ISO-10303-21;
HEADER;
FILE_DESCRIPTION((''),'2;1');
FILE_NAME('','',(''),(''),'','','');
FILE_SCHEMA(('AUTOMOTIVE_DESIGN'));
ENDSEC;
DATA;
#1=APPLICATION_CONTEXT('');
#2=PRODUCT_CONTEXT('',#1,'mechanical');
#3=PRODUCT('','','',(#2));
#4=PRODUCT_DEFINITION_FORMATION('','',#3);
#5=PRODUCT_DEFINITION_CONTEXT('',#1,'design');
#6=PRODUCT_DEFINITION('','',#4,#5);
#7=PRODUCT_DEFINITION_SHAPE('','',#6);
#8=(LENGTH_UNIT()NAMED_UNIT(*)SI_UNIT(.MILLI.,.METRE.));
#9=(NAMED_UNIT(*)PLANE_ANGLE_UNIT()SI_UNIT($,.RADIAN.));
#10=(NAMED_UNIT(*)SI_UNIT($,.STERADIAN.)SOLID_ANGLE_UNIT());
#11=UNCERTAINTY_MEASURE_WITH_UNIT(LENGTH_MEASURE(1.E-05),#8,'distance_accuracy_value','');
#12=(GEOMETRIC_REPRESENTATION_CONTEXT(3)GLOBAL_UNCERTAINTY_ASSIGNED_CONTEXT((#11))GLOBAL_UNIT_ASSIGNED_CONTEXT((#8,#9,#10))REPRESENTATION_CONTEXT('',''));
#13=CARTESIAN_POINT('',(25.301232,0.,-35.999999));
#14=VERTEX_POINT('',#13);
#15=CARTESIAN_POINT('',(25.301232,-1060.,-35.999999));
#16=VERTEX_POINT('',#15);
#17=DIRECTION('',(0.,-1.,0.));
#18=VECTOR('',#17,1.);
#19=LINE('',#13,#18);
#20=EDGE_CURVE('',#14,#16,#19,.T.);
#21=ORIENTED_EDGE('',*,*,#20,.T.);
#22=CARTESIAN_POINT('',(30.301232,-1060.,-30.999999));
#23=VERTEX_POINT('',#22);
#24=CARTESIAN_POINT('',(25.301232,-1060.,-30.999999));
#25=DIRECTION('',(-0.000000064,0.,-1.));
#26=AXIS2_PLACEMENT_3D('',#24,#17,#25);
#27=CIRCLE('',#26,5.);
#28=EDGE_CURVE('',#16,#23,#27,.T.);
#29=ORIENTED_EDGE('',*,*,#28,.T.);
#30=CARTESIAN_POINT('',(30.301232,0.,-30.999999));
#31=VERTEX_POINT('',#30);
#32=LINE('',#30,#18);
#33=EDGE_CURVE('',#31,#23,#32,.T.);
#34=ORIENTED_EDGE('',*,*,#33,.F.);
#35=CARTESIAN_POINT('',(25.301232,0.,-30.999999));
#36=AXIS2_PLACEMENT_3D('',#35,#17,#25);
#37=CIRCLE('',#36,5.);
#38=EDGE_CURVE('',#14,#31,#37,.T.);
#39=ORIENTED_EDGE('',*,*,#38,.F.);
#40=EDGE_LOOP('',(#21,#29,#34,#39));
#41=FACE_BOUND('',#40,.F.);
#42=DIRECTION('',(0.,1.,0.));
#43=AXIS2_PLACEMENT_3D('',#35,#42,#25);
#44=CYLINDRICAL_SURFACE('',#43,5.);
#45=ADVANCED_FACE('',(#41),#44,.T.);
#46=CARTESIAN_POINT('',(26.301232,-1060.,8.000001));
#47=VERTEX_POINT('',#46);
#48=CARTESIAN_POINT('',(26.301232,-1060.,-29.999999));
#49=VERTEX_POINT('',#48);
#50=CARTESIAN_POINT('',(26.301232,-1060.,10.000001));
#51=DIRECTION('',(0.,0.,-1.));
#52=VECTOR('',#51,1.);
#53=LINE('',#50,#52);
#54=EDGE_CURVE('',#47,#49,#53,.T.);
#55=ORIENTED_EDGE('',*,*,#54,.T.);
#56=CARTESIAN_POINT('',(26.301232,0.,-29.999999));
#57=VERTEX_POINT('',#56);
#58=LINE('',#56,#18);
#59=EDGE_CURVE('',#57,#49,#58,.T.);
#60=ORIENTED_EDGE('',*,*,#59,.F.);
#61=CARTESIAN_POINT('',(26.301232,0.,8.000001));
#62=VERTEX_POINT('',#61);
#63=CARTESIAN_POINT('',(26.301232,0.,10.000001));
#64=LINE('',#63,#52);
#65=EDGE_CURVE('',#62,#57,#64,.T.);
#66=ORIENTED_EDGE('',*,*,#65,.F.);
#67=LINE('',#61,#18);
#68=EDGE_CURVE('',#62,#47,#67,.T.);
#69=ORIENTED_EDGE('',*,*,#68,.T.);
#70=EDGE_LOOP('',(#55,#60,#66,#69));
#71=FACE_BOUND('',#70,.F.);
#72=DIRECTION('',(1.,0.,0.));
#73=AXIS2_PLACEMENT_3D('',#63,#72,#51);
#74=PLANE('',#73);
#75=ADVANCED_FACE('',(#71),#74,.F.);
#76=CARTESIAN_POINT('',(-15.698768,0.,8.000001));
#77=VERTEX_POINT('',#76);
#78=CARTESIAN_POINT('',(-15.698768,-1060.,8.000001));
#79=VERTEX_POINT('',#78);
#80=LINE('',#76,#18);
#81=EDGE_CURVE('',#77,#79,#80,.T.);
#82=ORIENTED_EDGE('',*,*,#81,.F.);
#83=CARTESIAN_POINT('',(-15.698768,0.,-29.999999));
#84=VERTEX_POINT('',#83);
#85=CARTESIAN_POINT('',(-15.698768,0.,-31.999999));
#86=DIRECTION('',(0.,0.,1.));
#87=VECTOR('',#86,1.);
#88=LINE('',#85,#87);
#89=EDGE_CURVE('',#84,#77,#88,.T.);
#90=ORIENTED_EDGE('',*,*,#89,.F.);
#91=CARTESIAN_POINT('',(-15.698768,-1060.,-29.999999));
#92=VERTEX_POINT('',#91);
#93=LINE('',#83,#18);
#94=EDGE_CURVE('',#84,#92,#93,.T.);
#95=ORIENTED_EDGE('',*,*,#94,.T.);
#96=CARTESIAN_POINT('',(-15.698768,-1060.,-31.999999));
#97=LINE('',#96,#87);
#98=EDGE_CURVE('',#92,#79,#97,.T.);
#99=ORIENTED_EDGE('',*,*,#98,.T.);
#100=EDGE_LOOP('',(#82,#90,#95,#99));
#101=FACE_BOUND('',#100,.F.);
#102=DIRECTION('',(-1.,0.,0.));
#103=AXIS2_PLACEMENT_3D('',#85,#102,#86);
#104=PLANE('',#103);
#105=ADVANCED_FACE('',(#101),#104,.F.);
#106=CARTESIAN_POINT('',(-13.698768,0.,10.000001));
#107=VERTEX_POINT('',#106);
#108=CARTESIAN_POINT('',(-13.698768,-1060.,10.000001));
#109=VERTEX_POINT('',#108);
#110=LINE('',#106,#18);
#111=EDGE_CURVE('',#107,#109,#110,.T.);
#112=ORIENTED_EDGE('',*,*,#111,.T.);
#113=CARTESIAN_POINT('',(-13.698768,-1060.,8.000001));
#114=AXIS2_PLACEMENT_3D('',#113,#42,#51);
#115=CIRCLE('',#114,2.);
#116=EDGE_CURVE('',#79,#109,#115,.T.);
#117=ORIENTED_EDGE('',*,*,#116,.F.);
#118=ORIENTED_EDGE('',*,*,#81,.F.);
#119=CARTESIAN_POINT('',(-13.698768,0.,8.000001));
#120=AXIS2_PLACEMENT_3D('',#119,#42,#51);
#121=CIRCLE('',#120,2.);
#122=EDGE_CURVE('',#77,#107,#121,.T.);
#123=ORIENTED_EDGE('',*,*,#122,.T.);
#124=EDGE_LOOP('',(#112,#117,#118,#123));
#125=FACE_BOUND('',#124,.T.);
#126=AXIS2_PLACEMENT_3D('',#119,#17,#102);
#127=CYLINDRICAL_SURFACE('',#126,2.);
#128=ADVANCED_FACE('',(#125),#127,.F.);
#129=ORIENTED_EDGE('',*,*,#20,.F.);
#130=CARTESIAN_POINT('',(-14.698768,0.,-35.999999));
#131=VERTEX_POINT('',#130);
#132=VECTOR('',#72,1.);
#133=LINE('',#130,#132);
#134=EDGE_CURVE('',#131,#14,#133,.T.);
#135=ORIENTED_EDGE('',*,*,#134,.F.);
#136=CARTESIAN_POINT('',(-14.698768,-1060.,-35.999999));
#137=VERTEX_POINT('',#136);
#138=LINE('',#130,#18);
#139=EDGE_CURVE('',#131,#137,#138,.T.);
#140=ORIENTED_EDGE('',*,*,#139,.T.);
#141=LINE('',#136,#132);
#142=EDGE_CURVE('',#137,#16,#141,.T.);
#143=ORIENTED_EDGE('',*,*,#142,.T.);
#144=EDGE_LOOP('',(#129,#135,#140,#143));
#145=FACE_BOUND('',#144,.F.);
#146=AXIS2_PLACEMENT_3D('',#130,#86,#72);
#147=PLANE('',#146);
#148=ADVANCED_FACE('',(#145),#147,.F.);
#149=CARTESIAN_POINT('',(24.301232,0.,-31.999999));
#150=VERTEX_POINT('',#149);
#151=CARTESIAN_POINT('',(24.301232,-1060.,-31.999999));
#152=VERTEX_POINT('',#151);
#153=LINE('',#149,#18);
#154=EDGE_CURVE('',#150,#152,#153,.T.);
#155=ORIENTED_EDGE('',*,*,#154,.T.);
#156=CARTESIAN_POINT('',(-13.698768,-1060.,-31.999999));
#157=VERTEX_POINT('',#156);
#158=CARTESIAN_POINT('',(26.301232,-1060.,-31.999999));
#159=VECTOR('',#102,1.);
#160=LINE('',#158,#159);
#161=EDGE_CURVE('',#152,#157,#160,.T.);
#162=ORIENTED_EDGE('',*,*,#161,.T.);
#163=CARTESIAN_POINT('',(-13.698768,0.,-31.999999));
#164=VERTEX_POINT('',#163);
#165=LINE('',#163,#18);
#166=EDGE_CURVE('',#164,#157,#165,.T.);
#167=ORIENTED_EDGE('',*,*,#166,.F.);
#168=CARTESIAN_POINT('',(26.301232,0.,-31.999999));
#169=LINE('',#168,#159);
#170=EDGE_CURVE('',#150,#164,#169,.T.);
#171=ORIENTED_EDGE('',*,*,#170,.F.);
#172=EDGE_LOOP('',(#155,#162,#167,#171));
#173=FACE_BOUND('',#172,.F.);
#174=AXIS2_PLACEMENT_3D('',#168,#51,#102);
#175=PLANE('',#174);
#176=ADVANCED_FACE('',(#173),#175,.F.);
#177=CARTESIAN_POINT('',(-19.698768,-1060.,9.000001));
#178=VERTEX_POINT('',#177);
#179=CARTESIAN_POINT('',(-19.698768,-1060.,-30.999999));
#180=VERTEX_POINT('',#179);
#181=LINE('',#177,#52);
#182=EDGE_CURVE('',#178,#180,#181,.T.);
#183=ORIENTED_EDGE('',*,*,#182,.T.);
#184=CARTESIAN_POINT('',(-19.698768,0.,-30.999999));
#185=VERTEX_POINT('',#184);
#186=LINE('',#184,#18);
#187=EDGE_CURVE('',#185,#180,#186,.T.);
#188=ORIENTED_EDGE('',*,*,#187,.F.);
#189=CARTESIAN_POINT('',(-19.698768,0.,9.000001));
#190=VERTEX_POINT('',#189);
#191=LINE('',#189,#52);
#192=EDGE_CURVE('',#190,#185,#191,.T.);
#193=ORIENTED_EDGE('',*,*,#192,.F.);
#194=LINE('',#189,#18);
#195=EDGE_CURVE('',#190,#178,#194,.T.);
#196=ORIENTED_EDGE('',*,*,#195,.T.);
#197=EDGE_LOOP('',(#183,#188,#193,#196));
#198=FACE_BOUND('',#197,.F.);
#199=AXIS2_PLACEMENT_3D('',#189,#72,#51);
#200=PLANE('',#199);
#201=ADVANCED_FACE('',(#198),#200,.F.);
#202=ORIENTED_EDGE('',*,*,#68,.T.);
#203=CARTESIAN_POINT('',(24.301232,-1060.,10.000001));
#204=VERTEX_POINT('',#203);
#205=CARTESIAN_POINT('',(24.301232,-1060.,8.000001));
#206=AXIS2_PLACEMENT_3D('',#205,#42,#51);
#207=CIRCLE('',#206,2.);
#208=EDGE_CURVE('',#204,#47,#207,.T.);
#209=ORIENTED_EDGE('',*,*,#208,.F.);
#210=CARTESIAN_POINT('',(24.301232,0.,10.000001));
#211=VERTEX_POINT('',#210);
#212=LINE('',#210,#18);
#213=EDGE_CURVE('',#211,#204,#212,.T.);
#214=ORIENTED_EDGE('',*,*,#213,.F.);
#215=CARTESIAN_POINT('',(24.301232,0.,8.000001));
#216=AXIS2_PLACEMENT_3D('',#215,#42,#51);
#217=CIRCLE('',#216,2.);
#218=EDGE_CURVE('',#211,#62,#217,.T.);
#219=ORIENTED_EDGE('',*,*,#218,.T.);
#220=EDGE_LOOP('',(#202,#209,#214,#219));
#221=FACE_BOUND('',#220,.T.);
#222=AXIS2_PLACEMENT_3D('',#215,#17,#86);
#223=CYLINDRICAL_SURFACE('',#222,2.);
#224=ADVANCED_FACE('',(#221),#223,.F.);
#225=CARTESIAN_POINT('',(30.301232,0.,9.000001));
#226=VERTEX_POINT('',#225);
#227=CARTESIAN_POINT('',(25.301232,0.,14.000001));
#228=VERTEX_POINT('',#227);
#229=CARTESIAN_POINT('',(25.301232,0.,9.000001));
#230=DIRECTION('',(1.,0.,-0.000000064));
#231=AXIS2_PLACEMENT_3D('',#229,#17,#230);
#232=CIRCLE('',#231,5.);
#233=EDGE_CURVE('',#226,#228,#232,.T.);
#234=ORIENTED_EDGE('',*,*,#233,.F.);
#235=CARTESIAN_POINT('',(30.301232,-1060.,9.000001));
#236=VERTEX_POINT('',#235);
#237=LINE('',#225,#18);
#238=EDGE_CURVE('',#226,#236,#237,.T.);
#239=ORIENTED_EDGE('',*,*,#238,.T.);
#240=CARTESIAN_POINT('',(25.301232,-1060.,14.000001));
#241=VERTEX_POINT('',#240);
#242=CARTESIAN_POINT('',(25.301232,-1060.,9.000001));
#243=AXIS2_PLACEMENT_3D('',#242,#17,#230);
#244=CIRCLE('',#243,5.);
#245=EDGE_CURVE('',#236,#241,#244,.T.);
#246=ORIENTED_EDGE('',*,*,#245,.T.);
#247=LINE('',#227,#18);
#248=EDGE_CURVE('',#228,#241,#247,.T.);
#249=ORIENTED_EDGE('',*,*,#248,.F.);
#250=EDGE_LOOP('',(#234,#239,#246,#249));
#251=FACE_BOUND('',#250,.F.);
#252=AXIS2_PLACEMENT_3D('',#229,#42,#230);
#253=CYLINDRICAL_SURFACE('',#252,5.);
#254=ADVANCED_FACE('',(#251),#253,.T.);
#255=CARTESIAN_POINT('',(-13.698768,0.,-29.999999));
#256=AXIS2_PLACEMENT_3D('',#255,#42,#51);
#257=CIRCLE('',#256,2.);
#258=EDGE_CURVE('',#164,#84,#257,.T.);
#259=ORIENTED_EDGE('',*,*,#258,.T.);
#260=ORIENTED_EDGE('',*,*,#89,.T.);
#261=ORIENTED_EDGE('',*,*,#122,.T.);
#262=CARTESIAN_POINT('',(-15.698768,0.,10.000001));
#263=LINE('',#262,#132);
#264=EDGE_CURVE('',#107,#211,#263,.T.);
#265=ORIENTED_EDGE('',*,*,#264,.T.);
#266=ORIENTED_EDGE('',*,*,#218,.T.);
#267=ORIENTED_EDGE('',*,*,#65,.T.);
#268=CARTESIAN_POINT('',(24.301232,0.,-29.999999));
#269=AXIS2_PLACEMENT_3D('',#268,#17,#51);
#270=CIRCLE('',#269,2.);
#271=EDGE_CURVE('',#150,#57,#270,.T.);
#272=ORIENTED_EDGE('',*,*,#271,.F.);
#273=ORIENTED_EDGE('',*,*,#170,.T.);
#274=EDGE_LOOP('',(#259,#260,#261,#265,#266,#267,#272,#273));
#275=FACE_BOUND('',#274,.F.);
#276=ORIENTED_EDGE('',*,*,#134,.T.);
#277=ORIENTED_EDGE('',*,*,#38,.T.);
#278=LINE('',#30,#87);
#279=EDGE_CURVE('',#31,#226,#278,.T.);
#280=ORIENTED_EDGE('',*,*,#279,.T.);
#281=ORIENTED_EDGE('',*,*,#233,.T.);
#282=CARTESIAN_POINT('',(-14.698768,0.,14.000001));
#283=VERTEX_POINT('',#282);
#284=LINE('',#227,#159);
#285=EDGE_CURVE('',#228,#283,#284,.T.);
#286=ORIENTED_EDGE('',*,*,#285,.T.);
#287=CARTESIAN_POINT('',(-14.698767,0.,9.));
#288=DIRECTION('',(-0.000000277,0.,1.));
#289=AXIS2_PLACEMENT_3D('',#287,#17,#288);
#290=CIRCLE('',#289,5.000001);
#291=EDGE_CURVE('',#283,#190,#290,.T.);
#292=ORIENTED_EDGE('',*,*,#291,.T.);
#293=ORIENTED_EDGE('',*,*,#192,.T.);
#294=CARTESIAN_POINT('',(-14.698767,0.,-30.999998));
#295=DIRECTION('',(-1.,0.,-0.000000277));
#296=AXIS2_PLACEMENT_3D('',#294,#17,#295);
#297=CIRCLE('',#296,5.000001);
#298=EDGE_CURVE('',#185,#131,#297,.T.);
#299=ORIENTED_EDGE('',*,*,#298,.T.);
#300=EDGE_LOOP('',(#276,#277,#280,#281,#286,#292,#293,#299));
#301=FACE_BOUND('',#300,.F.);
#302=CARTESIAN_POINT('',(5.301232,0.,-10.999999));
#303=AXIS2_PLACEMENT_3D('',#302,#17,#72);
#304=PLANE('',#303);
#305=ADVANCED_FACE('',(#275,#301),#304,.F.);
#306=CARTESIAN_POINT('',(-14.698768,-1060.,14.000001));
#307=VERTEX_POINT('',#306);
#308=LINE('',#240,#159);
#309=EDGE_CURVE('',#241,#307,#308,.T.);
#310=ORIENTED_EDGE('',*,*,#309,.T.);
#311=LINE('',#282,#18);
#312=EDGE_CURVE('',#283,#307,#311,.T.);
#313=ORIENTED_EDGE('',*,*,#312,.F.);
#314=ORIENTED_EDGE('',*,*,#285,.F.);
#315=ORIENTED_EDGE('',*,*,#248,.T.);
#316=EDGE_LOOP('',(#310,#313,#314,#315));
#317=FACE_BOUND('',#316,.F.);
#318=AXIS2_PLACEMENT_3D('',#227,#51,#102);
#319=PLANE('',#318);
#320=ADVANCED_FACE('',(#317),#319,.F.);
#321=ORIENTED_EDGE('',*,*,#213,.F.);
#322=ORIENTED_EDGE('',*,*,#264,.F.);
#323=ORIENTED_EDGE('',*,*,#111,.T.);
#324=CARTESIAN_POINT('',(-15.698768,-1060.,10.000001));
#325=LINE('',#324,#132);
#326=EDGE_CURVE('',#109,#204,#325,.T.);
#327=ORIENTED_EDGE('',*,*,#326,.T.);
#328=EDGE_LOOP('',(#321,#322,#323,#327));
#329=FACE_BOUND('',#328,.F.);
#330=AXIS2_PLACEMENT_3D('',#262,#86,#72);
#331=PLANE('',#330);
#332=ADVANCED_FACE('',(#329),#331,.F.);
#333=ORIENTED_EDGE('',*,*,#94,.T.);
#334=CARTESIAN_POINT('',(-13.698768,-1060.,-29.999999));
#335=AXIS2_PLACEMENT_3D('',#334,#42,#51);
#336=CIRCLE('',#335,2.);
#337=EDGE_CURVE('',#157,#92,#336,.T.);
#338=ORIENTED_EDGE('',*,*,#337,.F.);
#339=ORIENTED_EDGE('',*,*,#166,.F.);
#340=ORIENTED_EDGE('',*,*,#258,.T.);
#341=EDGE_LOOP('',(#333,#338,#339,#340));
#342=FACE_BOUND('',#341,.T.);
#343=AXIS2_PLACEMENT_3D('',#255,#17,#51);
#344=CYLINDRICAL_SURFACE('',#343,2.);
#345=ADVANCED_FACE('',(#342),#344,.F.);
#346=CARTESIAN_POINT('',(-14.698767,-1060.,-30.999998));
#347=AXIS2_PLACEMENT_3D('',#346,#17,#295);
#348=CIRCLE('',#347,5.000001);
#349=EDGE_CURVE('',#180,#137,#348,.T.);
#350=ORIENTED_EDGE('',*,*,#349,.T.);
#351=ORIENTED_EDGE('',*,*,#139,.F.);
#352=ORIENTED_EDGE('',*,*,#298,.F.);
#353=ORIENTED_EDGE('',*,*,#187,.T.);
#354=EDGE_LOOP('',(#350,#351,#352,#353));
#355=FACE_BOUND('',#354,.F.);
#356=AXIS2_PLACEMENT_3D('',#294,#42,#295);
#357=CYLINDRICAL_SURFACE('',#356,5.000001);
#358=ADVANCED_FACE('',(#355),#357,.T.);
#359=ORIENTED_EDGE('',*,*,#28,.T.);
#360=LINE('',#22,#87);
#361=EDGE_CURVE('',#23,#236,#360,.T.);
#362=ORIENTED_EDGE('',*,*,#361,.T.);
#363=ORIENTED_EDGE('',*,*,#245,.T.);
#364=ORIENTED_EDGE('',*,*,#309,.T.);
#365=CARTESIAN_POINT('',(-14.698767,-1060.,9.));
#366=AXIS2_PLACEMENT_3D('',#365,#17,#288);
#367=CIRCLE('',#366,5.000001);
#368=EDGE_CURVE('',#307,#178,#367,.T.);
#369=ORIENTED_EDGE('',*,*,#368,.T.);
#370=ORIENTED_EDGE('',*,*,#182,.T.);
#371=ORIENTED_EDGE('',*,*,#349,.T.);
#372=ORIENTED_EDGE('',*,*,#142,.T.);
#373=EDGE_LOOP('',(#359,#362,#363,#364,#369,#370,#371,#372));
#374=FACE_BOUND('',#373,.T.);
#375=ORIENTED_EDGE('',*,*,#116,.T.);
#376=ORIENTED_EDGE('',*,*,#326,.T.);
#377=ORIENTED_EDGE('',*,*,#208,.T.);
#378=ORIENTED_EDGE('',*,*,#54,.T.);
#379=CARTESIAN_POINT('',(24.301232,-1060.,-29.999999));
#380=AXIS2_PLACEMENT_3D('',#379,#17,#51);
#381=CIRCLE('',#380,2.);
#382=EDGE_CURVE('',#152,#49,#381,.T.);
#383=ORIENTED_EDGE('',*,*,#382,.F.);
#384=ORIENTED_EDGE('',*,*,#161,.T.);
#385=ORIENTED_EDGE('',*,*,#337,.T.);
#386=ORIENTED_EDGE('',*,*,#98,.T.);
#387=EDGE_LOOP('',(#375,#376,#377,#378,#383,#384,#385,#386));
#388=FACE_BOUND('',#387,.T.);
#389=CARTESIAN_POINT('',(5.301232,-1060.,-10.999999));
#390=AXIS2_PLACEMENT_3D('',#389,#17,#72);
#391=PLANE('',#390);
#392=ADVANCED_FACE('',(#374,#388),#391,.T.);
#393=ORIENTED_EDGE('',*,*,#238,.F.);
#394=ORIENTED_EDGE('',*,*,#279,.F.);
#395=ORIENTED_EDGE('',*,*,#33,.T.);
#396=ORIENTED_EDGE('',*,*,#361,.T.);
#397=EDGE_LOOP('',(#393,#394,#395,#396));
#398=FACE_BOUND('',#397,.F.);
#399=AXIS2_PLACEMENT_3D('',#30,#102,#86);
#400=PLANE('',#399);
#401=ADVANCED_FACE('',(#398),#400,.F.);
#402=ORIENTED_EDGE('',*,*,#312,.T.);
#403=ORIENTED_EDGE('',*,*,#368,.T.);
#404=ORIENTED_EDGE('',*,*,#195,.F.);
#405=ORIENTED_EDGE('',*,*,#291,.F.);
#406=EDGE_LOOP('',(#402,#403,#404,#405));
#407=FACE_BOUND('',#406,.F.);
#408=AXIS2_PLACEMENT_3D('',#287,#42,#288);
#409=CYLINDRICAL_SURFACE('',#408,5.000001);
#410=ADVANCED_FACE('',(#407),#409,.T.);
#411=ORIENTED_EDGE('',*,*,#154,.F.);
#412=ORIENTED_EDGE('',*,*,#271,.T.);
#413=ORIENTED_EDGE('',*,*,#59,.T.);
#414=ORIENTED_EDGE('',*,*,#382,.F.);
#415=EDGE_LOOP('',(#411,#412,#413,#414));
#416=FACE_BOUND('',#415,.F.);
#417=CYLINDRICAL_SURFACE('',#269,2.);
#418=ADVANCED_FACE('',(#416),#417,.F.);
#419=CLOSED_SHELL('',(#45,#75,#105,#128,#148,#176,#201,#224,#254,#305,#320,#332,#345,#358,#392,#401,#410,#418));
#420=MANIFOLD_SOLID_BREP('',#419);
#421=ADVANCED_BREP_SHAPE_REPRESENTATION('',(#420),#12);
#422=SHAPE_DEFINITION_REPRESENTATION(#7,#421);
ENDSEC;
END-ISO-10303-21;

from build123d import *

# Parameters (mm, degrees)
F1_DEPTH = 1060
F2_R     = 2


with BuildPart() as f1:
    # F0 (on Front) → F1 (new body)
    with BuildSketch(Plane.XZ):
        with BuildLine():
            Line((5.301232, 14.000001), (-14.698768, 14.000001))
            ThreePointArc((-14.698768, 14.000001), (-18.234301, 12.535535), (-19.698768, 9.000001))
            Line((-19.698768, 9.000001), (-19.698768, -30.999999))
            ThreePointArc((-19.698768, -30.999999), (-18.234301, -34.535533), (-14.698768, -35.999999))
            Line((-14.698768, -35.999999), (5.301232, -35.999999))
            Line((5.301232, -35.999999), (25.301232, -35.999999))
            ThreePointArc((25.301232, -35.999999), (28.836766, -34.535533), (30.301232, -30.999999))
            Line((30.301232, -30.999999), (30.301232, 9.000001))
            ThreePointArc((30.301232, 9.000001), (28.836766, 12.535535), (25.301232, 14.000001))
            Line((25.301232, 14.000001), (5.301232, 14.000001))
        make_face()
        Polygon((-15.698768, -31.999999), (-15.698768, 10.000001), (5.301232, 10.000001), (26.301232, 10.000001), (26.301232, -31.999999), (5.301232, -31.999999), align=None, mode=Mode.SUBTRACT)
    extrude(amount=F1_DEPTH)

    # F2
    f2_edges = [f1.edges().sort_by_distance(p)[0] for p in [
        (-15.698768, -530, 10.000001),
        (26.301232, -530, 10.000001),
        (26.301232, -530, -31.999999),
        (-15.698768, -530, -31.999999),
    ]]
    fillet(f2_edges, radius=F2_R)


solid = f1.part
